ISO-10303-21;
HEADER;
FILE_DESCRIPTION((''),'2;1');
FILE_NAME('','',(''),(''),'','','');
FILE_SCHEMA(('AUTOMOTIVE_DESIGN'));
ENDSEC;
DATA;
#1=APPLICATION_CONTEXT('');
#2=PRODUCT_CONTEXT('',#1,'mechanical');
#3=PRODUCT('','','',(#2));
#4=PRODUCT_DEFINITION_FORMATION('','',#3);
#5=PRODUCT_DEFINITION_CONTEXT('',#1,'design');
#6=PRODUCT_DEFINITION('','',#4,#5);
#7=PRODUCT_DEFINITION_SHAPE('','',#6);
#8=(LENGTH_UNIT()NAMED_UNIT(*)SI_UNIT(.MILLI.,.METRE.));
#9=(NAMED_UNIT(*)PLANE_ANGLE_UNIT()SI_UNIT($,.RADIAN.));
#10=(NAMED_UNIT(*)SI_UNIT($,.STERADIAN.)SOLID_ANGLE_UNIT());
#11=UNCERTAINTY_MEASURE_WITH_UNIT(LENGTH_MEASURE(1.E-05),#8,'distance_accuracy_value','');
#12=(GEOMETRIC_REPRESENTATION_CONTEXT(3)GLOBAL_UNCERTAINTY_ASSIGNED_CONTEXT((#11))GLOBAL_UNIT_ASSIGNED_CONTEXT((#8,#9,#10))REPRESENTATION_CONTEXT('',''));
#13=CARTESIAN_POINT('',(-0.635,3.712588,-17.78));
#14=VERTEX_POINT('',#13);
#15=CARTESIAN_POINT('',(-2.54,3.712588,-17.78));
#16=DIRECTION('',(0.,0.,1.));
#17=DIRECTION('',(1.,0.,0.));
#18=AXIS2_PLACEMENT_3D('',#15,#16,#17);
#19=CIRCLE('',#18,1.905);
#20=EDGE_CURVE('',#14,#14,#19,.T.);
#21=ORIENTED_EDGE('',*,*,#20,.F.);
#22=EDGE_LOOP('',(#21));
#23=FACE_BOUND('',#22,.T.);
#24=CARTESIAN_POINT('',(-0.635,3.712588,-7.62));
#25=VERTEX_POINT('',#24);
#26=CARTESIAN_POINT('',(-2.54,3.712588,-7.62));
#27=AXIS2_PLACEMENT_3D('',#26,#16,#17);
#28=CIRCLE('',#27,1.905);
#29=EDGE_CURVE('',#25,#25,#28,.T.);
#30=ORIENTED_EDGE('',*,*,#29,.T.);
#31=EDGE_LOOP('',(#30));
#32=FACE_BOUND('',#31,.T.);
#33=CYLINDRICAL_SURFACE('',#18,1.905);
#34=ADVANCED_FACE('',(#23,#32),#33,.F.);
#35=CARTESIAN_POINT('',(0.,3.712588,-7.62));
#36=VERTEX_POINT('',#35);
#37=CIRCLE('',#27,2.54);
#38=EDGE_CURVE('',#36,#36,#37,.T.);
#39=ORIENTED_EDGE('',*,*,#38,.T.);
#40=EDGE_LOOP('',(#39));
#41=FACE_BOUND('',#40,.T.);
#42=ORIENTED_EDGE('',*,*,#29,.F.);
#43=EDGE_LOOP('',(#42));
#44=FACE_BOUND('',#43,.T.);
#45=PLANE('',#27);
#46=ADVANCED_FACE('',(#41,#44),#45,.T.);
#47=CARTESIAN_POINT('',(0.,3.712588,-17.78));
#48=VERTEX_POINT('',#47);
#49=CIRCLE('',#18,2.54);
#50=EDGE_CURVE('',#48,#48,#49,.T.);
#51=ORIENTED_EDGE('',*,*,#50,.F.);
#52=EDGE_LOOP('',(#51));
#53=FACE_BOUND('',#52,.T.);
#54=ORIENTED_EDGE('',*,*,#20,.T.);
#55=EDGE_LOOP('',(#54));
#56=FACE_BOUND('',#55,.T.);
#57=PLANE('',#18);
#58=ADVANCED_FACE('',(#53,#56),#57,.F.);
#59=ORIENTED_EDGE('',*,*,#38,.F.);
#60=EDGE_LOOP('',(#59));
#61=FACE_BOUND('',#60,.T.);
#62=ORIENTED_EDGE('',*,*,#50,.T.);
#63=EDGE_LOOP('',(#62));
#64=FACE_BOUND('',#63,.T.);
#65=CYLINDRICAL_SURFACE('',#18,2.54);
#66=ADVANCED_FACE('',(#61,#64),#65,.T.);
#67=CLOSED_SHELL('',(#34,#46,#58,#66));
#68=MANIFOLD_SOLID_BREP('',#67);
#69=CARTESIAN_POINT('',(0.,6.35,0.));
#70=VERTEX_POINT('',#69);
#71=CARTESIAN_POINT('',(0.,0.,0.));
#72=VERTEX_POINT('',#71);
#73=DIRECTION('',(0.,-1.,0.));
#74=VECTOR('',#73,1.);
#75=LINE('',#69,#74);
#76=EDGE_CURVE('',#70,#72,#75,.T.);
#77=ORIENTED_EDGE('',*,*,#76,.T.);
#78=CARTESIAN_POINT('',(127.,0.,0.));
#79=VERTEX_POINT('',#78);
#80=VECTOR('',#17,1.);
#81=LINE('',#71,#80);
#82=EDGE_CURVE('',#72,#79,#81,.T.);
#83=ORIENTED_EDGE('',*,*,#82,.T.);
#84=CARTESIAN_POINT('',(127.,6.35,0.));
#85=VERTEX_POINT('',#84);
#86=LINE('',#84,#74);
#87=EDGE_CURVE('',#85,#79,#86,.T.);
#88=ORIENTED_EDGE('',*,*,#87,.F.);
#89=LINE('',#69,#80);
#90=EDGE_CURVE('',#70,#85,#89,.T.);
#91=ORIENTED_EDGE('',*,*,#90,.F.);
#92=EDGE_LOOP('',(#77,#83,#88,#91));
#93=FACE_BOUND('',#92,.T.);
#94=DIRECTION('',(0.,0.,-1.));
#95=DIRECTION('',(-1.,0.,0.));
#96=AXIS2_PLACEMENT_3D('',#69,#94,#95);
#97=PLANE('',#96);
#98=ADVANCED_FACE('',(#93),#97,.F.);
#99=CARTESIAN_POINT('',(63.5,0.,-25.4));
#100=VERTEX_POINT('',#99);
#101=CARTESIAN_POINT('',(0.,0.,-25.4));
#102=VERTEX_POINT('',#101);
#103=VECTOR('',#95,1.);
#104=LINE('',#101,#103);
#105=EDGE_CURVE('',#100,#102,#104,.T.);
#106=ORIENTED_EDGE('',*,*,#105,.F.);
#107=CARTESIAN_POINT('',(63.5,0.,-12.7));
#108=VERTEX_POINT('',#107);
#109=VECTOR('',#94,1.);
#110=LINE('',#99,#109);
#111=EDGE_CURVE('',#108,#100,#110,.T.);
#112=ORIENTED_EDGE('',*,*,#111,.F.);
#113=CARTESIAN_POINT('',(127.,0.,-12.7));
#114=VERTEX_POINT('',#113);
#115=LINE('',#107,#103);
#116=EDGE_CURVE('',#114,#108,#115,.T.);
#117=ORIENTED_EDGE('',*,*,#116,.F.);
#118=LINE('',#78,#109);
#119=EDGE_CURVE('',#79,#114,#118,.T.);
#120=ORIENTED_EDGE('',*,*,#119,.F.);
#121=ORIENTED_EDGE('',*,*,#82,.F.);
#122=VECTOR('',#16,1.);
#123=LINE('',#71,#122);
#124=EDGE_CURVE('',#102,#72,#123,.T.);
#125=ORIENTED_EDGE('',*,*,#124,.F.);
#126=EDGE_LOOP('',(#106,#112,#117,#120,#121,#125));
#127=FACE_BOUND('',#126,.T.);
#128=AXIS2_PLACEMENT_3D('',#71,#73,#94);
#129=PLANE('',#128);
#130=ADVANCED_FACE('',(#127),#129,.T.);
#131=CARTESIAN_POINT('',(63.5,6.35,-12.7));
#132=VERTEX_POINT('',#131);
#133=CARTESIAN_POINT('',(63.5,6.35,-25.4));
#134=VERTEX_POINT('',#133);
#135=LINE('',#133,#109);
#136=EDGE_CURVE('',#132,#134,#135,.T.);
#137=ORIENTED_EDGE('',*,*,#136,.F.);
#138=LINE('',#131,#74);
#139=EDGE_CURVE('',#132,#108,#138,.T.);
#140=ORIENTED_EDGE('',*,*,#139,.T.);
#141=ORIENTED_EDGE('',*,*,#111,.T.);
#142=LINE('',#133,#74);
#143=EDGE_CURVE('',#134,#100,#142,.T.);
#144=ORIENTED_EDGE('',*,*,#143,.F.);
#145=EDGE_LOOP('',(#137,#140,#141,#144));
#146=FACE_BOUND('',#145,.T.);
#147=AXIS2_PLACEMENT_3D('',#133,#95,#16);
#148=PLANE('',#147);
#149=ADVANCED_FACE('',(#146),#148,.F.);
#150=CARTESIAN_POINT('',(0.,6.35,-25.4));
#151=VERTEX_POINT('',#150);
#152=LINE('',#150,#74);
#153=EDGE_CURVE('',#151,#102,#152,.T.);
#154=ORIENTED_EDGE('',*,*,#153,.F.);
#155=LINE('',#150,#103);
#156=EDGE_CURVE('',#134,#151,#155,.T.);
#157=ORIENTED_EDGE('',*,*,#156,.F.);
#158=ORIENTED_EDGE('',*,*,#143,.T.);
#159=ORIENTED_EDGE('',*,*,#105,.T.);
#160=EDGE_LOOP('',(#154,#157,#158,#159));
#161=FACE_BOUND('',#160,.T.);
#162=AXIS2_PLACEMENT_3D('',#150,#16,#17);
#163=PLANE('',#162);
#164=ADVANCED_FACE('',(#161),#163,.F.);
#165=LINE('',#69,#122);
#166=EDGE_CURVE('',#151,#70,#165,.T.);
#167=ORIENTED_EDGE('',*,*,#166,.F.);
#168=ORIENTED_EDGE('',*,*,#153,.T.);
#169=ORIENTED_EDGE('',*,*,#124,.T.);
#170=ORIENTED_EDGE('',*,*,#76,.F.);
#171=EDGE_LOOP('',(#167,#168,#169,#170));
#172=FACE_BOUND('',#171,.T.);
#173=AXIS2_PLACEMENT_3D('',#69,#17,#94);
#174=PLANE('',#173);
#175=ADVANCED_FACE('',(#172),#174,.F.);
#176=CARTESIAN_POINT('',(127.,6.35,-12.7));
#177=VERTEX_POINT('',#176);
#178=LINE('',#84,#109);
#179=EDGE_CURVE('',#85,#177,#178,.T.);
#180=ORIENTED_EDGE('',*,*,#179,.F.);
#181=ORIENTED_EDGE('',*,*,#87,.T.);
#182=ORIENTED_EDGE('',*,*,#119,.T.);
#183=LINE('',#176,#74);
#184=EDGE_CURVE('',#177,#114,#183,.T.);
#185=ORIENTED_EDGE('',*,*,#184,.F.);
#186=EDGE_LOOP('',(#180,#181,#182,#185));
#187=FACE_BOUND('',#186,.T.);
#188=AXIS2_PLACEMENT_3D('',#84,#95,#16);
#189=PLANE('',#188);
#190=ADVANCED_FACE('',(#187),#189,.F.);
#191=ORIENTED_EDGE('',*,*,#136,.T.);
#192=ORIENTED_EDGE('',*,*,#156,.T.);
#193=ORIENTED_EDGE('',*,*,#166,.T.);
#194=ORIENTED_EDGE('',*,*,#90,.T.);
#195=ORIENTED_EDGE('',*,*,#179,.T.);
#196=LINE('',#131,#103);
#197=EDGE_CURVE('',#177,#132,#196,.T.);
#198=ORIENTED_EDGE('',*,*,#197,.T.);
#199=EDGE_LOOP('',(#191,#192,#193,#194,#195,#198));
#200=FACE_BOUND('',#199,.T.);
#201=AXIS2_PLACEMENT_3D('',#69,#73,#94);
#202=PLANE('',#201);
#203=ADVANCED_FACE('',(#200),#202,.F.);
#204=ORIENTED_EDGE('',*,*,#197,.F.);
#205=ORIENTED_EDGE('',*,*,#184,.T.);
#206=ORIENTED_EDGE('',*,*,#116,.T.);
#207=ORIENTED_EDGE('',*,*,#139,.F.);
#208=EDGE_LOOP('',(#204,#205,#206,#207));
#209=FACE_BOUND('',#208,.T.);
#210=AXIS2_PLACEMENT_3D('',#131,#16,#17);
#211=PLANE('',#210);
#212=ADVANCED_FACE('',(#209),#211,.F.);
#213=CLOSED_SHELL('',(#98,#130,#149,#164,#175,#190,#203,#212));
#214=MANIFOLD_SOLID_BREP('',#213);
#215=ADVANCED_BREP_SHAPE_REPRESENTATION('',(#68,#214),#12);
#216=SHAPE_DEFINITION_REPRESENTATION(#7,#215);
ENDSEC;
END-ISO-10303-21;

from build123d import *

# Parameters (mm, degrees)
BOSS_EXTRUDE1_DEPTH      = 6.35
BOSS_EXTRUDE2_DEPTH      = 5.08
BOSS_EXTRUDE2_DEPTH_BACK = 5.08
SKETCH2_R                = 2.54
SKETCH2_R_2              = 1.905


with BuildPart() as part:
    # Sketch1 → Boss-Extrude1 (new body)
    with BuildSketch(Plane(origin=(0, 0, 0), x_dir=(1, 0, 0), z_dir=(0, 1, 0))):
        Polygon((63.5, 25.4), (63.5, 12.7), (127, 12.7), (127, 0), (0, 0), (0, 25.4), align=None)
    extrude(amount=BOSS_EXTRUDE1_DEPTH)


with BuildPart() as body_2:
    # Sketch2 → Boss-Extrude2 (new, two sides: drawn at the far end of the back side and taken through both)
    with BuildSketch(Plane.XY.offset(-12.7).offset(-BOSS_EXTRUDE2_DEPTH_BACK)):
        with Locations((-2.54, 3.712588247)):
            Circle(SKETCH2_R)
        with Locations((-2.54, 3.712588247)):
            Circle(SKETCH2_R_2, mode=Mode.SUBTRACT)
    extrude(amount=BOSS_EXTRUDE2_DEPTH + BOSS_EXTRUDE2_DEPTH_BACK)


solid = Compound([part.part, body_2.part])
